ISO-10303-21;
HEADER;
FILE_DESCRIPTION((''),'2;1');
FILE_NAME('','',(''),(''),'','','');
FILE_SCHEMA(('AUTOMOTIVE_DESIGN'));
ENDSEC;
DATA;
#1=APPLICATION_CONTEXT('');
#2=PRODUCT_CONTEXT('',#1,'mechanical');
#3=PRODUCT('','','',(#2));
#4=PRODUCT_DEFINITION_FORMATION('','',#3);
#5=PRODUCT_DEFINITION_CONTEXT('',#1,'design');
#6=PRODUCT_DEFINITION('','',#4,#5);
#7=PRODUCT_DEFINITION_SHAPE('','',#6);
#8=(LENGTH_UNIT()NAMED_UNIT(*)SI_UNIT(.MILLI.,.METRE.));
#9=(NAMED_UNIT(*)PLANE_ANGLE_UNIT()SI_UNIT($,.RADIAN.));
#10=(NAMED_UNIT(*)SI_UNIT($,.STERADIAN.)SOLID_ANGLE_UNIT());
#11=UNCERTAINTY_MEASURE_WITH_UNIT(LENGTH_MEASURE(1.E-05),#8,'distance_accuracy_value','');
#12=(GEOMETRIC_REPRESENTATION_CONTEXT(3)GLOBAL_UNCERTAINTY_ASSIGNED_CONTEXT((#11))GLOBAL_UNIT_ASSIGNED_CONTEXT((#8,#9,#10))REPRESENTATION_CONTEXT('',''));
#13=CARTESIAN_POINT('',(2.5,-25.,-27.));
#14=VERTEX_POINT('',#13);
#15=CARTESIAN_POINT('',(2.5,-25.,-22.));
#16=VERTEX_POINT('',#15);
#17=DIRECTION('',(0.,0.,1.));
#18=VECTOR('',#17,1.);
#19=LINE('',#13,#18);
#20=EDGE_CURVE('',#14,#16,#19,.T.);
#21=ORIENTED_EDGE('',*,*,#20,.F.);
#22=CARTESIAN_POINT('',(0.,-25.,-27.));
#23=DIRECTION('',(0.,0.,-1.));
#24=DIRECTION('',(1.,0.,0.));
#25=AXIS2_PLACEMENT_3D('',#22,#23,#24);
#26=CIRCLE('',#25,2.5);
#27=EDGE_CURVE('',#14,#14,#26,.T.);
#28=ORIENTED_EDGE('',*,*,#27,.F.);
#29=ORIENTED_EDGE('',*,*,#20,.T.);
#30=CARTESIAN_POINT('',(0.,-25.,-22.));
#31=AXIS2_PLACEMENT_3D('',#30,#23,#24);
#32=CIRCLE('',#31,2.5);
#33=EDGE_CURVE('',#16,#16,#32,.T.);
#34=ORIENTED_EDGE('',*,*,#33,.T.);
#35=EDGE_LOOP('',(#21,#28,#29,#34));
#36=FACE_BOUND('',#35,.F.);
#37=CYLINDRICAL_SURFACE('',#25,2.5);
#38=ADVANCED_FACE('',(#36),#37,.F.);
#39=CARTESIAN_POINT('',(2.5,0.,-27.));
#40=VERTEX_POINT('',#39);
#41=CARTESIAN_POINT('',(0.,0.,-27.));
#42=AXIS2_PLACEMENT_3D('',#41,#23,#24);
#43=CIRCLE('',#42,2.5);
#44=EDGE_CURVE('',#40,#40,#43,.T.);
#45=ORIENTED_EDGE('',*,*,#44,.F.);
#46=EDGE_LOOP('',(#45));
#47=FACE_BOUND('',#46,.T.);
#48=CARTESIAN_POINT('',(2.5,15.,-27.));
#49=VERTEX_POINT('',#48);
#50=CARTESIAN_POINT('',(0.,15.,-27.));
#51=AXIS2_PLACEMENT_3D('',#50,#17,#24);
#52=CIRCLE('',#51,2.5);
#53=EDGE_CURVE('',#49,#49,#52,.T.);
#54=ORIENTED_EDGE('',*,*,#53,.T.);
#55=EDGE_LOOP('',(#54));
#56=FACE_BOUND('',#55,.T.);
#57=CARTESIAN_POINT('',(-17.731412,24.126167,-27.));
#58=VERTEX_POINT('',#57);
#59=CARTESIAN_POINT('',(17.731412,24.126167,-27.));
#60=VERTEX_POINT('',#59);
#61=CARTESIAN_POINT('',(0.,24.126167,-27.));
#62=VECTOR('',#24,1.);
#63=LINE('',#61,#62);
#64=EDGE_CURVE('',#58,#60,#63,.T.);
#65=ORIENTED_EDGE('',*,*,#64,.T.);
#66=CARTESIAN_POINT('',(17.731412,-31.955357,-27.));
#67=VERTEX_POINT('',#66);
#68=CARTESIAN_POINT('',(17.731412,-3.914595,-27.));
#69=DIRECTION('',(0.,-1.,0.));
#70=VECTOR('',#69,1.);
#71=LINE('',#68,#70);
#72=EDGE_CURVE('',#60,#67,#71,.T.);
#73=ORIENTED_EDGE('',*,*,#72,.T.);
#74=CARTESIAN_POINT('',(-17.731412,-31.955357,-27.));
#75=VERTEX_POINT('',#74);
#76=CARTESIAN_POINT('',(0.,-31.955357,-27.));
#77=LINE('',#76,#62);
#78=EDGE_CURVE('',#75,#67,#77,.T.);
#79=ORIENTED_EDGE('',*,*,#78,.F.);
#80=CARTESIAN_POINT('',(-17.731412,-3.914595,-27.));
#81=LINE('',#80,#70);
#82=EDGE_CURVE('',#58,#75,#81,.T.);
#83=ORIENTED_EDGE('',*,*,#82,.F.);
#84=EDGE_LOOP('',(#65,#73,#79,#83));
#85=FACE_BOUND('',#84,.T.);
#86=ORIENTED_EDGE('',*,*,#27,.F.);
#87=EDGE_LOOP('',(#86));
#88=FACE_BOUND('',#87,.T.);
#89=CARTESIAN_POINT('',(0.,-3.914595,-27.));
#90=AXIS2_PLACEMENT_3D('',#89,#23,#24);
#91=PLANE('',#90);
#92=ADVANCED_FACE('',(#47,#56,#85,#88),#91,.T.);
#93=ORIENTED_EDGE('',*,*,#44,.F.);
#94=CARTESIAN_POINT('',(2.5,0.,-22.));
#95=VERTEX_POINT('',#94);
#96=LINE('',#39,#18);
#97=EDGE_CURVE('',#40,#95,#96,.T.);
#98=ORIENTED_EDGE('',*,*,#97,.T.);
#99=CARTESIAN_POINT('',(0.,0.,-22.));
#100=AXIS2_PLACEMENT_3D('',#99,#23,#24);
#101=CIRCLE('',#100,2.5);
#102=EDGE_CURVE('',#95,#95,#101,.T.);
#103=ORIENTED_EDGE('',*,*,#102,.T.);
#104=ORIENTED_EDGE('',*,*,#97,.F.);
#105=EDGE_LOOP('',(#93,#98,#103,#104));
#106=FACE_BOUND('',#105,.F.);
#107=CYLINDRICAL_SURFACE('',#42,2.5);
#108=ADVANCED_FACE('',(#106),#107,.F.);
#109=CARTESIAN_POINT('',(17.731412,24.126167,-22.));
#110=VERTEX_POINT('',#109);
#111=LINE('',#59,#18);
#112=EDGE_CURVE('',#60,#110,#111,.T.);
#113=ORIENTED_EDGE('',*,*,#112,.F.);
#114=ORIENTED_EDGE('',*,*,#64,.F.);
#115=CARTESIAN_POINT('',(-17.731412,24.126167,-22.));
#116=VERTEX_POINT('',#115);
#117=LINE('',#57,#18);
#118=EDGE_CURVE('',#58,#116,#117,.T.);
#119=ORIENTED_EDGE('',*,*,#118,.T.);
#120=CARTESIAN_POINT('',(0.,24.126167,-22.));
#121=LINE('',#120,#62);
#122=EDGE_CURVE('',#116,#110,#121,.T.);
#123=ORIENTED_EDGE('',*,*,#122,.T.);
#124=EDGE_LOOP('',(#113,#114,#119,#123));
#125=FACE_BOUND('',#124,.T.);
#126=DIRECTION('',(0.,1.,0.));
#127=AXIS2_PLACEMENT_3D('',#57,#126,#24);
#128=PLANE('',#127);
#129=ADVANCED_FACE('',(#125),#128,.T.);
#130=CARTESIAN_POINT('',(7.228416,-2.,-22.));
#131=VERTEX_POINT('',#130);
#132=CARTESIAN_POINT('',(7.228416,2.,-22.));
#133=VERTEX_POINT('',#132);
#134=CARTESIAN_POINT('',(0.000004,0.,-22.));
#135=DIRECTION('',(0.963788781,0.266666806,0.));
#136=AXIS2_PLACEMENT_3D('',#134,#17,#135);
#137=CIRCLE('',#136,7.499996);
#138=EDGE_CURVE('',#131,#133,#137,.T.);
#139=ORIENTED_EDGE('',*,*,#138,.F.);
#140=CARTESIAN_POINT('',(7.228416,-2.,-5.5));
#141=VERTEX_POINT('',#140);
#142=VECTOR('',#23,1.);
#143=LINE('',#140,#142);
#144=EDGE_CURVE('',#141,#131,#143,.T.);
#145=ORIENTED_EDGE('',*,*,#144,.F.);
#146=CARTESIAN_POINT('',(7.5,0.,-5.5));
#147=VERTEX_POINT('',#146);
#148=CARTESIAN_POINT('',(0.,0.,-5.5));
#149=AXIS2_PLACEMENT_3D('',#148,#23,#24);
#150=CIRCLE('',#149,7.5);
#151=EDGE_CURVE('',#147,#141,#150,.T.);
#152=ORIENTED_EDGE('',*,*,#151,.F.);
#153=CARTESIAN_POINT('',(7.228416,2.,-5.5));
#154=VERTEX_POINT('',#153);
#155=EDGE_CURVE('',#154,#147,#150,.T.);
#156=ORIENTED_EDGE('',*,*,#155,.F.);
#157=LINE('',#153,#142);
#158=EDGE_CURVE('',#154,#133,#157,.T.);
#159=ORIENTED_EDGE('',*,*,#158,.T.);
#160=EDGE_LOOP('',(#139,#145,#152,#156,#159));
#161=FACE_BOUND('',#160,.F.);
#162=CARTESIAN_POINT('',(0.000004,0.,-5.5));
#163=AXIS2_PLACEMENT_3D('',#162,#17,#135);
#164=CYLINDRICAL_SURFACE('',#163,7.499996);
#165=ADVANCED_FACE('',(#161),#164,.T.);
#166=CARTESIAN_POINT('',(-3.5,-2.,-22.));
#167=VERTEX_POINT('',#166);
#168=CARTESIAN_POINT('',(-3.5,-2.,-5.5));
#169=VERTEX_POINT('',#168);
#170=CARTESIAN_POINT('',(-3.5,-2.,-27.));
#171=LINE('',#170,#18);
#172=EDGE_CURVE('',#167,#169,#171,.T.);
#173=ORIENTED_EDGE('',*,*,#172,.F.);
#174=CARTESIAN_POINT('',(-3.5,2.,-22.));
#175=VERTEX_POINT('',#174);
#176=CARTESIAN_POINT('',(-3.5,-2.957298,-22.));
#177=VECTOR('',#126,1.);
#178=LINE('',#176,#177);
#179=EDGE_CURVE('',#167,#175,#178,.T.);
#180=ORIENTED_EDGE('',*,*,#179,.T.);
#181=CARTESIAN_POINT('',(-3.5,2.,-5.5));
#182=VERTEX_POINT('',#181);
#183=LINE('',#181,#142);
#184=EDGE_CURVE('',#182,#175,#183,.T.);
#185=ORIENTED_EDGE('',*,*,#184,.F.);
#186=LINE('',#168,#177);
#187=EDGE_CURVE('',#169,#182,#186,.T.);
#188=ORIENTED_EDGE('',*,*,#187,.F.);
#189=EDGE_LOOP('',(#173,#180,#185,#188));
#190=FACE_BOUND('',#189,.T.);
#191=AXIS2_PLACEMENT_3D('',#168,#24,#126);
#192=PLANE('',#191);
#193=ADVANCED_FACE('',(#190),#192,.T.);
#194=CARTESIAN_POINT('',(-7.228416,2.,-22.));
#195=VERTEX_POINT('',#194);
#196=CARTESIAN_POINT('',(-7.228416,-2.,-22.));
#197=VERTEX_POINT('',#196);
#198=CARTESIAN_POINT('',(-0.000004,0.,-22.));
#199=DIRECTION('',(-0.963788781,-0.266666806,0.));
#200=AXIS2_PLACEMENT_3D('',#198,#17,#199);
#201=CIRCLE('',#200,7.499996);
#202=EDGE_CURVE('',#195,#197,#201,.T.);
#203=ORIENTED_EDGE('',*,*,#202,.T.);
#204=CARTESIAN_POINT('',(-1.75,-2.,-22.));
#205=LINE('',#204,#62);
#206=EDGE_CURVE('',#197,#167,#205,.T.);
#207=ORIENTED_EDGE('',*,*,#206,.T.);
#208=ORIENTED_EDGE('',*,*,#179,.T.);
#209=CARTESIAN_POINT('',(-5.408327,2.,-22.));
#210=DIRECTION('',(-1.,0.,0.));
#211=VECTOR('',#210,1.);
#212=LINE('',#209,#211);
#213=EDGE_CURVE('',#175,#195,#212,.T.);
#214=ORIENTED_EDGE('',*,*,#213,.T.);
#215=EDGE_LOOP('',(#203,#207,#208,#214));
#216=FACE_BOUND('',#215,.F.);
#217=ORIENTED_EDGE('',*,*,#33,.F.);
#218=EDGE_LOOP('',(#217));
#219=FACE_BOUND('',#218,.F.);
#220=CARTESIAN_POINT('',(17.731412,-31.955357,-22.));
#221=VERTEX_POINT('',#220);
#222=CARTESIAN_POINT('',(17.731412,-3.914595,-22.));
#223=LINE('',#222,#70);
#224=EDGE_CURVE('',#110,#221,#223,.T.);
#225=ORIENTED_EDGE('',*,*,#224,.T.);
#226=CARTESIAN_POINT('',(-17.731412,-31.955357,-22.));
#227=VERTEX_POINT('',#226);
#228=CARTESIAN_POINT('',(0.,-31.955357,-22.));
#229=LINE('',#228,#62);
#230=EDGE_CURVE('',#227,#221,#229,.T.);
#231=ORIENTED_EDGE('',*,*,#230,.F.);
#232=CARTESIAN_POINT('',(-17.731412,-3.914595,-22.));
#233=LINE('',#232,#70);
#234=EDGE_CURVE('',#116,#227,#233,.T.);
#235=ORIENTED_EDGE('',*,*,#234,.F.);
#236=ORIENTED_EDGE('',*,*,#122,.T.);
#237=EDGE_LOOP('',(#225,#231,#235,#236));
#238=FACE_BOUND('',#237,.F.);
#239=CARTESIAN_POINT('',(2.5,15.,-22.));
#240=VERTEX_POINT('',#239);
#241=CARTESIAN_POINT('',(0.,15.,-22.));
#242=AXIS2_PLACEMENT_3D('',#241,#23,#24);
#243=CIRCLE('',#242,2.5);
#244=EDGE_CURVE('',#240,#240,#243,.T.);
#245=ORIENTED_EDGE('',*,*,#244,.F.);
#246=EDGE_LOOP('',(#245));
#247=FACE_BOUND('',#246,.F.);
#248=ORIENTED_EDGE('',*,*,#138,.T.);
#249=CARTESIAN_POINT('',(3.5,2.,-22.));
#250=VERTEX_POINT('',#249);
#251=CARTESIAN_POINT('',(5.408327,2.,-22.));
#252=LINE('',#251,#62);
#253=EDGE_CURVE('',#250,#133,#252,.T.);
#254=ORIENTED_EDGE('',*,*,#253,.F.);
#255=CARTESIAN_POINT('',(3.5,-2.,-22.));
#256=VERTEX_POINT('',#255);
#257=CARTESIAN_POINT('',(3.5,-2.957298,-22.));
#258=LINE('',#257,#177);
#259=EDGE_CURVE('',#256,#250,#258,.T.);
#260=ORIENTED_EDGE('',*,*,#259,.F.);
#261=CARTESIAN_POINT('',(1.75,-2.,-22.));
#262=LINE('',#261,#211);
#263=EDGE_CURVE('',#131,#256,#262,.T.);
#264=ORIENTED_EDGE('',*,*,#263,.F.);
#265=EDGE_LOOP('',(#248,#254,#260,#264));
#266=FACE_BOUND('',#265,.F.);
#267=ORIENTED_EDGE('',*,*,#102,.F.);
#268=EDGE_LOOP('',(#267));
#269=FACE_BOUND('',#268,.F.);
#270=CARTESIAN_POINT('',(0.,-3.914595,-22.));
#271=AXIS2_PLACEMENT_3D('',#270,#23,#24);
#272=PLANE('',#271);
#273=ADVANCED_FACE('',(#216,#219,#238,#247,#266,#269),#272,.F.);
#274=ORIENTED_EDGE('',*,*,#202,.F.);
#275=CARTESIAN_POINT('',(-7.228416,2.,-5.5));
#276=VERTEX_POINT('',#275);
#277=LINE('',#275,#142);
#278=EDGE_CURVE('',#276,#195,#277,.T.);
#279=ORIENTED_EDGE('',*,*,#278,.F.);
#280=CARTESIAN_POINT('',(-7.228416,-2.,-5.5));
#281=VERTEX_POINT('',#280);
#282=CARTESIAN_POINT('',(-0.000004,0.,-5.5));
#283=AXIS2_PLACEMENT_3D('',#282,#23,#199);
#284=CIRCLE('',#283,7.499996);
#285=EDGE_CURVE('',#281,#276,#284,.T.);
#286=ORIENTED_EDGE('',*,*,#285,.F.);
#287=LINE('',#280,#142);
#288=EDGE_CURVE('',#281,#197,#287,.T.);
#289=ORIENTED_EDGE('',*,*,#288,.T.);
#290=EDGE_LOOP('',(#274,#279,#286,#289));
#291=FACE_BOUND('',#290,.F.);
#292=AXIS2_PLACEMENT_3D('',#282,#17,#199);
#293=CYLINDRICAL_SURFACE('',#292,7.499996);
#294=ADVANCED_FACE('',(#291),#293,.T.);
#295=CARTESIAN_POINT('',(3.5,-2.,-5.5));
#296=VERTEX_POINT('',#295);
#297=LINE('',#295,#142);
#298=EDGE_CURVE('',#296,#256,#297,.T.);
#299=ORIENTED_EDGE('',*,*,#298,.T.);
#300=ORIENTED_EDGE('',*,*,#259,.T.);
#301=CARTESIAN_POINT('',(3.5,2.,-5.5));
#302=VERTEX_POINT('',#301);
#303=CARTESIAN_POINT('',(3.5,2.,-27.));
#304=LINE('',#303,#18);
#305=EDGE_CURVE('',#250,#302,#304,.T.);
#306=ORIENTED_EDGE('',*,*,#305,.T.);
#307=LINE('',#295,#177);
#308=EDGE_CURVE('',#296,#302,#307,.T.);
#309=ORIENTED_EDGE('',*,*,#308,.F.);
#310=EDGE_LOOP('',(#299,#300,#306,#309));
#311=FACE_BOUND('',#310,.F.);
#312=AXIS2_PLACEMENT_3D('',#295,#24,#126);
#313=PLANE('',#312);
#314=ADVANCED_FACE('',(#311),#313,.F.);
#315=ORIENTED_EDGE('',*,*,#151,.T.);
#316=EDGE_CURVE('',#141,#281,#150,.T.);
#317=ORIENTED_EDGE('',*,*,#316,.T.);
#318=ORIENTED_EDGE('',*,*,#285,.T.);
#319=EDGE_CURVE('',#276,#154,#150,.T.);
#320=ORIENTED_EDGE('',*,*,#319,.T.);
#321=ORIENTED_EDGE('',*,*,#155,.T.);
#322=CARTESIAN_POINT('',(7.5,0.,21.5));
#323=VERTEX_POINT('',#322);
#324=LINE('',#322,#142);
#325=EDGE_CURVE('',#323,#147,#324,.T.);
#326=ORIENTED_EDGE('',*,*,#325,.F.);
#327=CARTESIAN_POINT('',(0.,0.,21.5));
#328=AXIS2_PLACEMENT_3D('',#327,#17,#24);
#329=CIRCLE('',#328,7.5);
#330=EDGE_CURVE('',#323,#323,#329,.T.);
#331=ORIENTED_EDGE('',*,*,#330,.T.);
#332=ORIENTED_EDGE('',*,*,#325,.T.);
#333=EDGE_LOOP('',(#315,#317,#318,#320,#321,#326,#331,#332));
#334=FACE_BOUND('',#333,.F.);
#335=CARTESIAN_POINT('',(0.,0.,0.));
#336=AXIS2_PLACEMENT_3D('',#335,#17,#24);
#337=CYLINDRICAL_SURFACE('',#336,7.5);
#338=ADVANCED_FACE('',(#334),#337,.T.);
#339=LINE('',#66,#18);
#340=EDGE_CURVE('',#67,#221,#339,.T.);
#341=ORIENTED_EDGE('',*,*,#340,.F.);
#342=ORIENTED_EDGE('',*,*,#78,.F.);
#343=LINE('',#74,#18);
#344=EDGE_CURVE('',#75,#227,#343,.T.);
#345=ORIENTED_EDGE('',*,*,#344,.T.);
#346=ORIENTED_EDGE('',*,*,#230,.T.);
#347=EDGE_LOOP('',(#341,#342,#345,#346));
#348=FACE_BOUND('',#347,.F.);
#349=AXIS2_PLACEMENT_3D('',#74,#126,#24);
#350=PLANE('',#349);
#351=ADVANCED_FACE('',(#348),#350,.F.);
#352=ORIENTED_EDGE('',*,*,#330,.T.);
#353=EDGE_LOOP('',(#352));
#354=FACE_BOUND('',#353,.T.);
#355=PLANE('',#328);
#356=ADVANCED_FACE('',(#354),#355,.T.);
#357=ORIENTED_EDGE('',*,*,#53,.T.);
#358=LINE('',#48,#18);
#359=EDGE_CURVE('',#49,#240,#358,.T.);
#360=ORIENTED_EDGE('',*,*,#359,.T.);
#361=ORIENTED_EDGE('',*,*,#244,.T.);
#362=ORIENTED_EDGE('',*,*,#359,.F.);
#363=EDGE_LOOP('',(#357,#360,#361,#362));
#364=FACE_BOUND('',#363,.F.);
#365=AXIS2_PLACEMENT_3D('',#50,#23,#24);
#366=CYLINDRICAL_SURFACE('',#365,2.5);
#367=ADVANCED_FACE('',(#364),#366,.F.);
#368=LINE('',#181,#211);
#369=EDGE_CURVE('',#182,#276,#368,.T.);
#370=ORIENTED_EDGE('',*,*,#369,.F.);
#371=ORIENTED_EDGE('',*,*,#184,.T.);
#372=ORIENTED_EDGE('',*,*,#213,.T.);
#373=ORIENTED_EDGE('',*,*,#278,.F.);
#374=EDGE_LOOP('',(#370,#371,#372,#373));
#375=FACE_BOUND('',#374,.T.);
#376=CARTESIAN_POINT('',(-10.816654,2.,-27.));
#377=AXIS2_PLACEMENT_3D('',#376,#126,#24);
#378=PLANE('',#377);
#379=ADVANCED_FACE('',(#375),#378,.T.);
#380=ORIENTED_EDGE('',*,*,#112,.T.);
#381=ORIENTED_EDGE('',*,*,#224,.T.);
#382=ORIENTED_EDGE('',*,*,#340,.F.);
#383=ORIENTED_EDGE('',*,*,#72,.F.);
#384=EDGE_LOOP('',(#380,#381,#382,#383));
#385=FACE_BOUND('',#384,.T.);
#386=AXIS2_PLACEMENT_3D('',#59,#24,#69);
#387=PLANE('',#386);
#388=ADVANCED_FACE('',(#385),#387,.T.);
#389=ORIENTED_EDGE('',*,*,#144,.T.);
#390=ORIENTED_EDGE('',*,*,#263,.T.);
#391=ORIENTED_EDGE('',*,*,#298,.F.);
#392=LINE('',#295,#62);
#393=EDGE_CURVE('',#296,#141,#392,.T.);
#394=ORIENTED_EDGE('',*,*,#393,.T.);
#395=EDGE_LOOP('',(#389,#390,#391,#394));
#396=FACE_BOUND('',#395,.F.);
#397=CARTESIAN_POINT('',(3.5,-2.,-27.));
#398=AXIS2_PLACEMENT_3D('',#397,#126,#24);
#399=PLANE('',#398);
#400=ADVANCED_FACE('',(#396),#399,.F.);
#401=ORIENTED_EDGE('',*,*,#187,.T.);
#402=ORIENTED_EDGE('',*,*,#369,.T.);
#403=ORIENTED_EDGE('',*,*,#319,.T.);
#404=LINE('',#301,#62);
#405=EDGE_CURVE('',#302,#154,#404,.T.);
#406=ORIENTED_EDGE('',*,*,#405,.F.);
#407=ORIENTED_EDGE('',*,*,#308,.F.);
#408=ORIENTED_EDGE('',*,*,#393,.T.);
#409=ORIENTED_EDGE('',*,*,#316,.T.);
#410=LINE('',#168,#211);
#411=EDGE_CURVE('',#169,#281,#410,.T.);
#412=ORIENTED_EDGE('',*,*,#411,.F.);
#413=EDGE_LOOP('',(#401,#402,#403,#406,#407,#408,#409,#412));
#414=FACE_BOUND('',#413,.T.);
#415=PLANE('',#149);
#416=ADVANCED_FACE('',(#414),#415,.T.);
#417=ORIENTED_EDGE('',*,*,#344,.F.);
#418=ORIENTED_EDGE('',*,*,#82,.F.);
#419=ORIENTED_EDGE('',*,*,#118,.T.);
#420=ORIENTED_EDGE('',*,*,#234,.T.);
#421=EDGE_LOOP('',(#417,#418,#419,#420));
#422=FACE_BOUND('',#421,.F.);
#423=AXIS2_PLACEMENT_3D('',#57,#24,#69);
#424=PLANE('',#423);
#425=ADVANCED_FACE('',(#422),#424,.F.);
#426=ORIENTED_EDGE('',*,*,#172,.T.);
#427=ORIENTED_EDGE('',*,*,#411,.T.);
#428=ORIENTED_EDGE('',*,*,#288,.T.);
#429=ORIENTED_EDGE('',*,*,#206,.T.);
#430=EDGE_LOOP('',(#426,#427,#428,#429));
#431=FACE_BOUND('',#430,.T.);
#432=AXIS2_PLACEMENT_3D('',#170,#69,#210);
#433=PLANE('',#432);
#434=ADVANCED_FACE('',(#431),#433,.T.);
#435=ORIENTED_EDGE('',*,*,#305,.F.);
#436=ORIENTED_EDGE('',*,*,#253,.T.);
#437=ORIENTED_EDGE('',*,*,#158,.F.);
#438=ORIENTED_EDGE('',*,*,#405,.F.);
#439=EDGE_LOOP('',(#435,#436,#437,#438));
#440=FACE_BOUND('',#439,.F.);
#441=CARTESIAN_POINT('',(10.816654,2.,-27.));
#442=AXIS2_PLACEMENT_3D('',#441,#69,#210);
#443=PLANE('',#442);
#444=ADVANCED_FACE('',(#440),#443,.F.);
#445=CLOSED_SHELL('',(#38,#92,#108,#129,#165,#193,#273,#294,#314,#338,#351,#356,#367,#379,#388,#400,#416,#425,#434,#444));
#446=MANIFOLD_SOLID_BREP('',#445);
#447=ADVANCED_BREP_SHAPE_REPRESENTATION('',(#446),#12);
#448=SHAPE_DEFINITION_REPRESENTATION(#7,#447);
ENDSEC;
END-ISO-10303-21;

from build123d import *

# Parameters (mm, degrees)
SKETCH_R     = 7.5
PAD_DEPTH    = 9
SKETCH001_R  = 7.5
PAD001_DEPTH = 2
SKETCH002_R  = 7.5
PAD002_DEPTH = 9
SKETCH003_R  = 7.5
PAD003_DEPTH = 1.5
SKETCH004_R  = 7.5
PAD004_DEPTH = 5.5
PAD005_DEPTH = 21.5
SKETCH006_R  = 12.5
PAD006_DEPTH = 5
SKETCH007_W  = 35.462824
SKETCH007_H  = 56.081524
SKETCH007_R  = 2.5
PAD007_DEPTH = 5


with BuildPart() as part:
    # Sketch → Pad (new body)
    with BuildSketch(Plane.XY):
        Circle(SKETCH_R)
    extrude(amount=PAD_DEPTH)

    # Sketch001 (on Face3 of Pad) → Pad001 (join)
    with BuildSketch(Plane.XY.offset(9)):
        Circle(SKETCH001_R)
    extrude(amount=PAD001_DEPTH)

    # Sketch002 (on Face4 of Pad001) → Pad002 (join)
    with BuildSketch(Plane.XY.offset(11)):
        Circle(SKETCH002_R)
    extrude(amount=PAD002_DEPTH)

    # Sketch003 (on Face5 of Pad002) → Pad003 (join)
    with BuildSketch(Plane.XY.offset(20)):
        Circle(SKETCH003_R)
    extrude(amount=PAD003_DEPTH)

    # Sketch004 (on Face2 of Pad003) → Pad004 (join)
    with BuildSketch(Plane(origin=(0, 0, 0), x_dir=(1, 0, 0), z_dir=(0, 0, -1))):
        Circle(SKETCH004_R)
    extrude(amount=PAD004_DEPTH)

    # Sketch005 (on Face4 of Pad004) → Pad005 (join)
    with BuildSketch(Plane(origin=(0, 0, -5.5), x_dir=(1, 0, 0), z_dir=(0, 0, -1))):
        with BuildLine():
            Line((3.5, 2), (3.5, -2))
            Line((3.5, -2), (7.228416, -2))
            ThreePointArc((7.228416, -2), (7.5, 0), (7.228416, 2))
            Line((3.5, 2), (7.228416, 2))
        make_face()
        with BuildLine():
            Line((-3.5, 2), (-3.5, -2))
            Line((-3.5, -2), (-7.228416, -2))
            ThreePointArc((-7.228416, 2), (-7.5, 0), (-7.228416, -2))
            Line((-3.5, 2), (-7.228416, 2))
        make_face()
    extrude(amount=PAD005_DEPTH)

    # Sketch006 (on Face15 of Pad005) → Pad006 (join)
    with BuildSketch(Plane(origin=(0, 0, -27), x_dir=(1, 0, 0), z_dir=(0, 0, -1))):
        Circle(SKETCH006_R)
        with BuildLine():
            ThreePointArc((10.816654, 2), (0, 11), (-10.816654, 2))
            Line((-3.5, 2), (-10.816654, 2))
            Line((-3.5, -2), (-3.5, 2))
            Line((-10.816654, -2), (-3.5, -2))
            ThreePointArc((-10.816654, -2), (0, -11), (10.816654, -2))
            Line((10.816654, -2), (3.5, -2))
            Line((3.5, -2), (3.5, 2))
            Line((3.5, 2), (10.816654, 2))
        make_face(mode=Mode.SUBTRACT)
    extrude(amount=-PAD006_DEPTH)

    # Sketch007 (on Face31 of Pad006) → Pad007 (join)
    with BuildSketch(Plane(origin=(0, 0, -27), x_dir=(1, 0, 0), z_dir=(0, 0, -1))):
        with Locations((0, 3.914595)):
            Rectangle(SKETCH007_W, SKETCH007_H)
        with Locations((0, 25)):
            Circle(SKETCH007_R, mode=Mode.SUBTRACT)
        with Locations((0, -15)):
            Circle(SKETCH007_R, mode=Mode.SUBTRACT)
        Circle(SKETCH007_R, mode=Mode.SUBTRACT)
    extrude(amount=-PAD007_DEPTH)


solid = part.part
